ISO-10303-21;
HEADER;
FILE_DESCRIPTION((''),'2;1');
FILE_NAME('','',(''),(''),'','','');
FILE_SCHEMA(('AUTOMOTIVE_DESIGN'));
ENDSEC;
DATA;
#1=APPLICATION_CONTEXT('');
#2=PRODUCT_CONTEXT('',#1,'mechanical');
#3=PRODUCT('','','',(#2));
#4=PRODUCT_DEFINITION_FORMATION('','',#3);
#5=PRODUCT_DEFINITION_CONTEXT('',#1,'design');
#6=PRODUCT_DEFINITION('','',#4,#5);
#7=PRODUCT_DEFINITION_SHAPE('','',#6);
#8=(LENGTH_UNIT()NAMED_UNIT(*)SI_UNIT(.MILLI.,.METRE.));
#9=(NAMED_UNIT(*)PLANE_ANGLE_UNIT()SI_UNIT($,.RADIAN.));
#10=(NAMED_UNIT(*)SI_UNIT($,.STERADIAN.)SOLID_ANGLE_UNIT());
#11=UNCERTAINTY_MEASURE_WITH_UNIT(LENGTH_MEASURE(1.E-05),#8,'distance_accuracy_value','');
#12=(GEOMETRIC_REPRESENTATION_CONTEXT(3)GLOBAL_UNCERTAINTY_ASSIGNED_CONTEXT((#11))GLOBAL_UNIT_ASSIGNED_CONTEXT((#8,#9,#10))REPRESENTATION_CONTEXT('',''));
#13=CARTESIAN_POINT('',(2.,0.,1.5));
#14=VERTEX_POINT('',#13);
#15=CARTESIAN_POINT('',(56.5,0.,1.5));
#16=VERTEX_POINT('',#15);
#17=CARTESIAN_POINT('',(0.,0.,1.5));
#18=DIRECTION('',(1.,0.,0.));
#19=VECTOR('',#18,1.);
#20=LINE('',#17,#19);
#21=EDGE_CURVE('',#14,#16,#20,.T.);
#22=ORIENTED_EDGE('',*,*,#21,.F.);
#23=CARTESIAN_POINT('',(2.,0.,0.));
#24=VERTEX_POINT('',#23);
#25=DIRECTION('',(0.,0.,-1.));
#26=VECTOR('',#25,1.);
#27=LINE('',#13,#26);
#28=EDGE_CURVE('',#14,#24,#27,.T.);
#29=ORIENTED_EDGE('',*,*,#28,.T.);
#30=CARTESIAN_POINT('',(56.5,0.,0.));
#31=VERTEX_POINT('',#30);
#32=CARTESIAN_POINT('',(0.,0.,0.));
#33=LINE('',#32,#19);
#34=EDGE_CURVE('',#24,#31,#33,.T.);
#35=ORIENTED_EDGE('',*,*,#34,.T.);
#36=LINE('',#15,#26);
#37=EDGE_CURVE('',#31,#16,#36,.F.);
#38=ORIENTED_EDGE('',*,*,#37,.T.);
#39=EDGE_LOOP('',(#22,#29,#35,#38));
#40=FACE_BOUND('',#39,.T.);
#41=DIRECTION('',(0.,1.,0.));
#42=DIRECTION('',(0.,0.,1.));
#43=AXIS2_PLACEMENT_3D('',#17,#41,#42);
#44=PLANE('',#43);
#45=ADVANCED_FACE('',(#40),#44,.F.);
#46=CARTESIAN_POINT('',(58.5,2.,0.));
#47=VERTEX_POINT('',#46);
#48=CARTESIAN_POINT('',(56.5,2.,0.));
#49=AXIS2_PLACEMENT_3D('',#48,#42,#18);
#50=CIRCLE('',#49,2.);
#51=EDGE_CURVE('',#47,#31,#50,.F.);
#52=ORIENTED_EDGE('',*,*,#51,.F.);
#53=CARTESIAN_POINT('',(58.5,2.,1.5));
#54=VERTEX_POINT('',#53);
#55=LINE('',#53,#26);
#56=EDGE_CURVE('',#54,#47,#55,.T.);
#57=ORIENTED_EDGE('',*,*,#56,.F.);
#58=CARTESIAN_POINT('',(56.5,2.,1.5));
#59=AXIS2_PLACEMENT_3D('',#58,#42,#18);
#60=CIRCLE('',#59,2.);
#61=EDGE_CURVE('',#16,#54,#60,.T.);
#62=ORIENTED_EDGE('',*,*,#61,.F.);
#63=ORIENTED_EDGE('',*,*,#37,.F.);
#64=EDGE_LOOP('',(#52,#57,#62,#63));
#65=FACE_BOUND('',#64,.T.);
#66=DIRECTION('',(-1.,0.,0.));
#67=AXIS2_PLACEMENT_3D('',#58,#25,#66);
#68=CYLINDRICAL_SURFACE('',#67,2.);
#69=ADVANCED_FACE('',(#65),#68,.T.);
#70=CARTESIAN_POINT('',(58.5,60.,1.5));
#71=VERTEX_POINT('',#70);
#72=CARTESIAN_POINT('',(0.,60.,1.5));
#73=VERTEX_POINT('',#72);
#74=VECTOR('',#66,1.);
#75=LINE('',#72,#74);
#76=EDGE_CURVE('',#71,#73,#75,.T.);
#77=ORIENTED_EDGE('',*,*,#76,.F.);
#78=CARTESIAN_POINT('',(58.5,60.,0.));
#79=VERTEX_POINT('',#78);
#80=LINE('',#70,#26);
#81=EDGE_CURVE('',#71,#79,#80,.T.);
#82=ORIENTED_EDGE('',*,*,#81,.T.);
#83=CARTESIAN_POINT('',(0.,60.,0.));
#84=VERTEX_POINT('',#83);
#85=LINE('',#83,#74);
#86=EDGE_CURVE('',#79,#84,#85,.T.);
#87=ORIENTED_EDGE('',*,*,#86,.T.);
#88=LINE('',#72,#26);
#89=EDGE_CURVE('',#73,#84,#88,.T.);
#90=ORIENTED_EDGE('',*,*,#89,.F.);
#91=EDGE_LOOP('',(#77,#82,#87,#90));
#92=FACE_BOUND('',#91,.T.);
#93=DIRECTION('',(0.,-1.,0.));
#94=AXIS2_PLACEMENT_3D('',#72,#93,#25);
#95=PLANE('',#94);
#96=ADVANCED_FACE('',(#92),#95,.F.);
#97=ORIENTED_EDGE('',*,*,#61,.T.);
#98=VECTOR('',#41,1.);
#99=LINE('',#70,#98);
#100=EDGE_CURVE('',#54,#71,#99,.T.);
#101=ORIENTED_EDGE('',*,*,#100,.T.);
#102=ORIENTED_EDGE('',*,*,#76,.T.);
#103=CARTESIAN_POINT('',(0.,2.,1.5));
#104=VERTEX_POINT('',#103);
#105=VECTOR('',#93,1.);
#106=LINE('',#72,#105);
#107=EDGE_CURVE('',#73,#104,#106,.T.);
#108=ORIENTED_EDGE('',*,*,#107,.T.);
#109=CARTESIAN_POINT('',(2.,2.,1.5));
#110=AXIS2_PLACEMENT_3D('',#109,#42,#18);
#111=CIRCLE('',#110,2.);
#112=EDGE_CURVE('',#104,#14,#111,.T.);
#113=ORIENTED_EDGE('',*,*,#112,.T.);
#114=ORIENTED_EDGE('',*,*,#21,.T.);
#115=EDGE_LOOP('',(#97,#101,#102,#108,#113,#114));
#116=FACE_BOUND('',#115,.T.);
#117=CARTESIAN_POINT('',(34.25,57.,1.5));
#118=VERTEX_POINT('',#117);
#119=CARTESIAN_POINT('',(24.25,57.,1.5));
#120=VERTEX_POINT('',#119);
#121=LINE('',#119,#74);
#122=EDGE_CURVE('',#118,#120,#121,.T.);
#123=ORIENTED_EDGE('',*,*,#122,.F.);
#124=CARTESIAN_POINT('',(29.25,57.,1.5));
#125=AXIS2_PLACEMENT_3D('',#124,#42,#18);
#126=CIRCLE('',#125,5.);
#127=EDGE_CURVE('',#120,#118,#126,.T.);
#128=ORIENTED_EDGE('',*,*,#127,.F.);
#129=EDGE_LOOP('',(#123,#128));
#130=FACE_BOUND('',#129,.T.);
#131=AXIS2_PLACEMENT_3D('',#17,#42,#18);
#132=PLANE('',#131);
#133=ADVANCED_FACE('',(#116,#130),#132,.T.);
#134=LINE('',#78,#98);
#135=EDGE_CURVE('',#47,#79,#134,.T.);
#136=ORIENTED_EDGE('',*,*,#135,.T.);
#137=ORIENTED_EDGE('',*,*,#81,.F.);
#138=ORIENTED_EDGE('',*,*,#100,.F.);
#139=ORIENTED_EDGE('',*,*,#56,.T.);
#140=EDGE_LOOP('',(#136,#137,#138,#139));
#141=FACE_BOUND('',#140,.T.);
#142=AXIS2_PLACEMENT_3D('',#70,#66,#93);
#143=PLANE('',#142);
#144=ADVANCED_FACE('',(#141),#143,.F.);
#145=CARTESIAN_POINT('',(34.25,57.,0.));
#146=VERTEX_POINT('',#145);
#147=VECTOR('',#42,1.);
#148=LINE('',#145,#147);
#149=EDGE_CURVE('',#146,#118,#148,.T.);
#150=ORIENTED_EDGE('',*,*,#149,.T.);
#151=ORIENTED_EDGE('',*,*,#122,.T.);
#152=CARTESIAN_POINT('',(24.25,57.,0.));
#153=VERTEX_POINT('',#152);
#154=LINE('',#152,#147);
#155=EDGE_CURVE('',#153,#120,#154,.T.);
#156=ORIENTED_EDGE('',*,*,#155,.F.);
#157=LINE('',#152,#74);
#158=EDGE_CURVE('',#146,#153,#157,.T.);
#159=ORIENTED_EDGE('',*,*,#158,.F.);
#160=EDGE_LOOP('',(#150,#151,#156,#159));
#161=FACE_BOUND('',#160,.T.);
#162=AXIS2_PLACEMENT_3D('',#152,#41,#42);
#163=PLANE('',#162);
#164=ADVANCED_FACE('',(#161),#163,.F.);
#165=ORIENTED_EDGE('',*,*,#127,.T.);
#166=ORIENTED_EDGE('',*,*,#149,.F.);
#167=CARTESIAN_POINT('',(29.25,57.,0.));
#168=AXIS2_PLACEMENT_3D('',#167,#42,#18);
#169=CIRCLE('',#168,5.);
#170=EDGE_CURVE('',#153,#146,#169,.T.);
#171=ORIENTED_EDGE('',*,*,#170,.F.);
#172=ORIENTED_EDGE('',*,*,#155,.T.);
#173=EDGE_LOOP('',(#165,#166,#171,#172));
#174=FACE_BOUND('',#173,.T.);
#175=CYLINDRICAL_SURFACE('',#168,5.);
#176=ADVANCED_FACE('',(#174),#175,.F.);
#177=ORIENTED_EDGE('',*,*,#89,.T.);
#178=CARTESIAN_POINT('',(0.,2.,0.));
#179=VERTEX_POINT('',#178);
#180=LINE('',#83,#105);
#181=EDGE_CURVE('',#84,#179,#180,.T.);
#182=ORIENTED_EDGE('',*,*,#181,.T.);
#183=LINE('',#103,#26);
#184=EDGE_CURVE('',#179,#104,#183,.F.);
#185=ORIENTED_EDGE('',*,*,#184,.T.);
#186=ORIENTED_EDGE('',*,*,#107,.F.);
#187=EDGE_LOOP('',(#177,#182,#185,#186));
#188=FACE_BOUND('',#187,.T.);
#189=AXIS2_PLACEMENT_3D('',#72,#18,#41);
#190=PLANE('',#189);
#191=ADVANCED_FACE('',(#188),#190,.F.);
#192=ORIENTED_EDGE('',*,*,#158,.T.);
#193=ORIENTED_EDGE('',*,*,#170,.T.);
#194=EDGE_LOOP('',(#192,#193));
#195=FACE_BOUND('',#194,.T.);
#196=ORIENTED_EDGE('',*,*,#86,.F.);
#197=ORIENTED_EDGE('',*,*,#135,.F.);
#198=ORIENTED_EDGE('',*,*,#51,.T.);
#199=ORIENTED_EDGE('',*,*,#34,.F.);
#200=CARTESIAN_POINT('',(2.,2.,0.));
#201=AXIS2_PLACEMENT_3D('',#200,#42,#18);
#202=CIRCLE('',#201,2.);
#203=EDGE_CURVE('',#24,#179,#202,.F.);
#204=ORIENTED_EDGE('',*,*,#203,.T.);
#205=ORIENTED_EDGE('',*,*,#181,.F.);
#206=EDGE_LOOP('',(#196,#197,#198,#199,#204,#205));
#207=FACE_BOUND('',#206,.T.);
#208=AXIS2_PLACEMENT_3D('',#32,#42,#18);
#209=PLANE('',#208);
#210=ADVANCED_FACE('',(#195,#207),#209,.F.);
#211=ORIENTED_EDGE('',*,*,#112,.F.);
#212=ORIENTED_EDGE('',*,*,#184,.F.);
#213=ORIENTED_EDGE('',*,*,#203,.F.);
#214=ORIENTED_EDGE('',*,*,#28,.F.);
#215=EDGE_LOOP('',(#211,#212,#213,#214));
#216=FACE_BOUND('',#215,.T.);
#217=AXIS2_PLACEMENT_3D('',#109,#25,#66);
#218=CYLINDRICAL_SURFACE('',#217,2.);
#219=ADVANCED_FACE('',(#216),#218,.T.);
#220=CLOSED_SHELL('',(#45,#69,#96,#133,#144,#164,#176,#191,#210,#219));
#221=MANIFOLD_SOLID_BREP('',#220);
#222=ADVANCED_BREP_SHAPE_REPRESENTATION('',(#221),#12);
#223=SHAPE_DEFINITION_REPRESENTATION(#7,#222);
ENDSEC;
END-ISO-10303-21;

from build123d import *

# Parameters (mm, degrees)
SKETCH_1_W          = 58.5
SKETCH_1_H          = 60
EXTRUDE_1_DEPTH     = 1.5
FILLET_1_R          = 2
CUT_EXTRUDE_1_DEPTH = 84.812290268


with BuildPart() as part:
    # Эскиз1 → Бобышка-Вытянуть1 (new body)
    with BuildSketch(Plane.XY):
        with Locations((29.25, 30)):
            Rectangle(SKETCH_1_W, SKETCH_1_H)
    extrude(amount=EXTRUDE_1_DEPTH)

    # Скругление1
    fillet_1_edges = [part.edges().sort_by_distance(p)[0] for p in [
        (58.5, 0, 0.75),
        (0, 0, 0.75),
    ]]
    fillet(fillet_1_edges, radius=FILLET_1_R)

    # Эскиз2 → Вырез-Вытянуть1 (cut, through all)
    with BuildSketch(Plane.XY.offset(1.5)):
        with BuildLine():
            Line((24.25, 57), (34.25, 57))
            ThreePointArc((34.25, 57), (29.25, 52), (24.25, 57))
        make_face()
    extrude(amount=-CUT_EXTRUDE_1_DEPTH, mode=Mode.SUBTRACT)


solid = part.part
